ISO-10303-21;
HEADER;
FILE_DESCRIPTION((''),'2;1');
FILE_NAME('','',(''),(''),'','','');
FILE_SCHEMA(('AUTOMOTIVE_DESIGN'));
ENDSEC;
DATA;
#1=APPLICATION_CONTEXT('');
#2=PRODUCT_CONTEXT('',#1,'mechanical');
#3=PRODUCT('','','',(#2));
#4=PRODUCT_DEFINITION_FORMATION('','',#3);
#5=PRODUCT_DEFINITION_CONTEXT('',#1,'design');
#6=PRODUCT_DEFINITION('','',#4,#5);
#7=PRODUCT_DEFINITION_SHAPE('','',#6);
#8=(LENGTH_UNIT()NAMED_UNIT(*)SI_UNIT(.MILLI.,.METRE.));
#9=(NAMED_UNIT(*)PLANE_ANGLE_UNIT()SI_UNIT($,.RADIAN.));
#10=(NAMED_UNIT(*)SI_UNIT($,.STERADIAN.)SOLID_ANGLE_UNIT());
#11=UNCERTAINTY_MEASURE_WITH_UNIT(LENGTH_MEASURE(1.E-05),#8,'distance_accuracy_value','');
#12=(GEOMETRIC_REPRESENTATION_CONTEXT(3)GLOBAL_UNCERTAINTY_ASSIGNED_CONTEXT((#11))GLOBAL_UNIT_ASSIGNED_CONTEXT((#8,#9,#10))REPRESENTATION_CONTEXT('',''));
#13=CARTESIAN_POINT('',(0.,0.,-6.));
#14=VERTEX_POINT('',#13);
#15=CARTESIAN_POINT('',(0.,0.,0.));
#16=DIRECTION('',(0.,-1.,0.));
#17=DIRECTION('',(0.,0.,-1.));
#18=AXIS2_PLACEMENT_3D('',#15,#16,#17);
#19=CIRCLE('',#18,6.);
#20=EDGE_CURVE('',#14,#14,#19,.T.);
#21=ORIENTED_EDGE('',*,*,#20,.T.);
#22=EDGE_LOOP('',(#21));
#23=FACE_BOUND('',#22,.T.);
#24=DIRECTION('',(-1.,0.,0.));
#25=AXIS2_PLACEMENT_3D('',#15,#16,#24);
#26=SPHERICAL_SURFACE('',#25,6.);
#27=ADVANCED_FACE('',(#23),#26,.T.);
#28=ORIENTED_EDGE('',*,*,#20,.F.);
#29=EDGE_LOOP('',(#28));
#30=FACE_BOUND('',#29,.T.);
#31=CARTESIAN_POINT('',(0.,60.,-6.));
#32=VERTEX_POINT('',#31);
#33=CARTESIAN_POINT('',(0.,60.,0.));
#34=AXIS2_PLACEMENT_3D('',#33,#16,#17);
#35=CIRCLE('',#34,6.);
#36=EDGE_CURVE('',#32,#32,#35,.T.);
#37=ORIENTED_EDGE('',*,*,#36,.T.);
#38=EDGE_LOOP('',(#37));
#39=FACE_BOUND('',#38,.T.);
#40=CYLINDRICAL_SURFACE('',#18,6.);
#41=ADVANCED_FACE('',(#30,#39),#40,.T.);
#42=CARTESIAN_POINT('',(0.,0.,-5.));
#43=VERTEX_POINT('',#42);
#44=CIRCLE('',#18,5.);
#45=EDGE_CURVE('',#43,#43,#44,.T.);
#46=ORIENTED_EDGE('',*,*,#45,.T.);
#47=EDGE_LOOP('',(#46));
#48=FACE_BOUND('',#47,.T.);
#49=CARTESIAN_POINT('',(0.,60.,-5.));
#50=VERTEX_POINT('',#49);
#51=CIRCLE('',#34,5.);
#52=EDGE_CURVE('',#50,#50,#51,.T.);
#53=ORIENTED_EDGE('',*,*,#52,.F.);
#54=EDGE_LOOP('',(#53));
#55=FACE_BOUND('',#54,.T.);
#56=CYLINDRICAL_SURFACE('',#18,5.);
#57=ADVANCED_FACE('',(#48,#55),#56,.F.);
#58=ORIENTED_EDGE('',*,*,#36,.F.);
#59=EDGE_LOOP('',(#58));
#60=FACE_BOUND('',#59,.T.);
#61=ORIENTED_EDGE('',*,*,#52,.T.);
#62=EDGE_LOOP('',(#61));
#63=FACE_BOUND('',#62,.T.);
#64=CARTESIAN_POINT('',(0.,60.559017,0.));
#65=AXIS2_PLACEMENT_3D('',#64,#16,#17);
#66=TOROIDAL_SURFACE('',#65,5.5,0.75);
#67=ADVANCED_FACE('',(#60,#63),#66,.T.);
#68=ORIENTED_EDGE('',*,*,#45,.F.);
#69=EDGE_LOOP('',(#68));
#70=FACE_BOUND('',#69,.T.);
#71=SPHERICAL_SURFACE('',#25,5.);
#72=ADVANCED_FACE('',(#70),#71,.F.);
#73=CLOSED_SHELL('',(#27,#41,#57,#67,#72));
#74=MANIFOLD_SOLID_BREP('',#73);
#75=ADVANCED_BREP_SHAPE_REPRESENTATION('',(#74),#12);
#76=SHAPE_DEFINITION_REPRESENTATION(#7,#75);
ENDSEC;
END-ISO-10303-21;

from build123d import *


with BuildPart() as part:
    # Sketch1 → Revolve1 (revolve)
    with BuildSketch(Plane.XY, mode=Mode.PRIVATE) as revolve1_sk:
        with BuildLine():
            ThreePointArc((0, -6), (4.242640687, -4.242640687), (6, 0))
            Line((6, 0), (6, 60))
            ThreePointArc((6, 60), (6.002835942, 61.115484437), (4.893341951, 61))
            ThreePointArc((4.893341951, 61), (4.754229922, 60.479474613), (5, 60))
            Line((5, 60), (5, 0))
            ThreePointArc((5, 0), (3.535533906, -3.535533906), (0, -5))
            Line((0, -5), (0, -6))
        make_face()
    revolve(revolve1_sk.sketch.rotate(Axis((0, 0, 0), (0, 1, 0)), 90), axis=Axis((0, 0, 0), (0, 1, 0)))


solid = part.part
